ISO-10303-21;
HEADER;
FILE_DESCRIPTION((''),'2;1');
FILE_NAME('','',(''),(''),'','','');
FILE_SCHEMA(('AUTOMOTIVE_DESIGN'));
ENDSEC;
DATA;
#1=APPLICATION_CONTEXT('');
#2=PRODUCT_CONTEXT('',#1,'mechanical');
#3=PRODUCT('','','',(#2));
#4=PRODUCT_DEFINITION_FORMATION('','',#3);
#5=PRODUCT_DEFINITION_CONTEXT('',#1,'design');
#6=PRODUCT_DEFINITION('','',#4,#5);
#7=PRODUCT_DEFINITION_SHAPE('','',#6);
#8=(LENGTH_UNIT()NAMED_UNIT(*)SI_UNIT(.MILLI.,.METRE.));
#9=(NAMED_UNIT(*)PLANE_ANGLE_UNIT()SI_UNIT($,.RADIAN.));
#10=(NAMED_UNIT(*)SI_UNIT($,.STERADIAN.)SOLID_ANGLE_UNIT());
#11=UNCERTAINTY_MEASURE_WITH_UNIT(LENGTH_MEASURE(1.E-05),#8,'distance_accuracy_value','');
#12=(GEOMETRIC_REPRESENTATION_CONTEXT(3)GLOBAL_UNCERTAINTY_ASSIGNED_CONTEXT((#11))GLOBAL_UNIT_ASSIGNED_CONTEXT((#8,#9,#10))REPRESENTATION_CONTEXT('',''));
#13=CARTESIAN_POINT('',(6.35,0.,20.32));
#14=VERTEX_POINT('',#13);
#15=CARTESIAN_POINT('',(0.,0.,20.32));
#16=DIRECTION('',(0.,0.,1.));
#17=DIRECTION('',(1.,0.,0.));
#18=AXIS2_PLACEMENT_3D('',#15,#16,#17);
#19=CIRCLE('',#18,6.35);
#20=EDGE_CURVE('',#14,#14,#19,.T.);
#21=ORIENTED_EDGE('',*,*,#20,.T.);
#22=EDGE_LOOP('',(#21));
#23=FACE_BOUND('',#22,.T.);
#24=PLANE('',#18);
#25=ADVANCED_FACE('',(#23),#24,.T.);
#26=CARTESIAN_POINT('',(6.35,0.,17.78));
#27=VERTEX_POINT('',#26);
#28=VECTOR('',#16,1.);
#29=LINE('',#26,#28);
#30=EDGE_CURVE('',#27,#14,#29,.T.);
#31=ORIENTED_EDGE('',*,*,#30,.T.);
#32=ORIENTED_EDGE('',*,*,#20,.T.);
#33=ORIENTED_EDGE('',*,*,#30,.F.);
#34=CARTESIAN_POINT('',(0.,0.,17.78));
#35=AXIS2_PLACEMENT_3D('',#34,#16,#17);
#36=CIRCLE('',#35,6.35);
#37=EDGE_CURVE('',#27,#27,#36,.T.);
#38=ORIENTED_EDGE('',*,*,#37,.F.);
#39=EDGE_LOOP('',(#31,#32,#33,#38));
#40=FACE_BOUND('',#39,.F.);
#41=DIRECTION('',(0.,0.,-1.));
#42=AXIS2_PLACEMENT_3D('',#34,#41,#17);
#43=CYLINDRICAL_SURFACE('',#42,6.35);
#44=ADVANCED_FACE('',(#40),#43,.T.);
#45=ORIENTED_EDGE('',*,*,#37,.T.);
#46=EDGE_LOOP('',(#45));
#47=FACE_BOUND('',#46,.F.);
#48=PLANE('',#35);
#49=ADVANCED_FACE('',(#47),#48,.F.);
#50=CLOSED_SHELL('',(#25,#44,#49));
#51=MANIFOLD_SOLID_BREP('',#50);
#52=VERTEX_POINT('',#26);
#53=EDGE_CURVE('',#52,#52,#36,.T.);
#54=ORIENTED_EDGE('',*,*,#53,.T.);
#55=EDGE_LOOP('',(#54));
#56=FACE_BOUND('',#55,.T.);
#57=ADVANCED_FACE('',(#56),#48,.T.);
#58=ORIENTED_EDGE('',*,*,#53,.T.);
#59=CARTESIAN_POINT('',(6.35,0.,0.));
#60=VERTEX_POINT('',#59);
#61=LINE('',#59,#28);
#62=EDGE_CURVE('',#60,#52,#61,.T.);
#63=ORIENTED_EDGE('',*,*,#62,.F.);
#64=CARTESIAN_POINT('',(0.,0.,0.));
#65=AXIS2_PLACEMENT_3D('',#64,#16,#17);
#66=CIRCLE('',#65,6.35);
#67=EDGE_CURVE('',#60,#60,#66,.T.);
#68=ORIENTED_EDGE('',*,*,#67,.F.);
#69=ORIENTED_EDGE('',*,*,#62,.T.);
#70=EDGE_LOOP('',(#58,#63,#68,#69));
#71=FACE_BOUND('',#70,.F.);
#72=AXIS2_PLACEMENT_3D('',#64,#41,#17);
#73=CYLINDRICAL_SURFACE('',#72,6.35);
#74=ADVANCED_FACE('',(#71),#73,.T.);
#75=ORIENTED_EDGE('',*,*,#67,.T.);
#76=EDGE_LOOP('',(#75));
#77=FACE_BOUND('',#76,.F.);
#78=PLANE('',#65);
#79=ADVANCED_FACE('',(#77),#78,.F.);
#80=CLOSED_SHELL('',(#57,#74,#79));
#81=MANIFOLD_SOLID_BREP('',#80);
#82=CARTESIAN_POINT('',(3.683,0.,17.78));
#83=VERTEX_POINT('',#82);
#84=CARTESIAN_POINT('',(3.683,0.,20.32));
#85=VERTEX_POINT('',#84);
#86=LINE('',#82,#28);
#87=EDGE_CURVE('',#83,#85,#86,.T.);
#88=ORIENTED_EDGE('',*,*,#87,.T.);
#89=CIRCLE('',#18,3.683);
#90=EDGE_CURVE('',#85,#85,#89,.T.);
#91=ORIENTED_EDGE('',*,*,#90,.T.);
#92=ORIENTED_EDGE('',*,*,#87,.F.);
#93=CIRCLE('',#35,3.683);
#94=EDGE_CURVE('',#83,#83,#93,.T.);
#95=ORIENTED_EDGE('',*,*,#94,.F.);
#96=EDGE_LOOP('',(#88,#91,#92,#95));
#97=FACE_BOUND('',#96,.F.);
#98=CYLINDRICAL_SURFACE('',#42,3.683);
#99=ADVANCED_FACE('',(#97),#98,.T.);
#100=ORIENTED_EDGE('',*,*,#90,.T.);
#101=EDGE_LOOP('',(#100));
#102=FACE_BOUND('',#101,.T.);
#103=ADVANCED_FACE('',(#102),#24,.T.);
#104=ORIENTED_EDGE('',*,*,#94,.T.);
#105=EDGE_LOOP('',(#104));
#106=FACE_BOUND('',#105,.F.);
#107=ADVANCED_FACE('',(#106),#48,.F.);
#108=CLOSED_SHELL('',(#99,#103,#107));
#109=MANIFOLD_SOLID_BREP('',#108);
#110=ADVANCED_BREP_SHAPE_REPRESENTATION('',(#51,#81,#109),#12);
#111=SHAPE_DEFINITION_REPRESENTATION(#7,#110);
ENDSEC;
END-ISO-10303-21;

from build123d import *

# Parameters (mm, degrees)
F0_R      = 6.35
F1_DEPTH  = 17.78
F2_R      = 3.683
F3_DEPTH  = 2.54
F1_FACE_R = 6.35
F4_DEPTH  = 2.54


with BuildPart() as f1:
    # F0 (on Top) → F1 (new body)
    with BuildSketch(Plane.XY):
        Circle(F0_R)
    extrude(amount=F1_DEPTH)


with BuildPart() as f3:
    # F2 (on face) → F3 (new body)
    with BuildSketch(Plane.XY.offset(17.78)):
        Circle(F2_R)
    extrude(amount=F3_DEPTH)


with BuildPart() as f4:
    # F1_face (on face) → F4 (new body)
    with BuildSketch(Plane.XY.offset(17.78)):
        Circle(F1_FACE_R)
    extrude(amount=F4_DEPTH)


solid = Compound([f1.part, f3.part, f4.part])
